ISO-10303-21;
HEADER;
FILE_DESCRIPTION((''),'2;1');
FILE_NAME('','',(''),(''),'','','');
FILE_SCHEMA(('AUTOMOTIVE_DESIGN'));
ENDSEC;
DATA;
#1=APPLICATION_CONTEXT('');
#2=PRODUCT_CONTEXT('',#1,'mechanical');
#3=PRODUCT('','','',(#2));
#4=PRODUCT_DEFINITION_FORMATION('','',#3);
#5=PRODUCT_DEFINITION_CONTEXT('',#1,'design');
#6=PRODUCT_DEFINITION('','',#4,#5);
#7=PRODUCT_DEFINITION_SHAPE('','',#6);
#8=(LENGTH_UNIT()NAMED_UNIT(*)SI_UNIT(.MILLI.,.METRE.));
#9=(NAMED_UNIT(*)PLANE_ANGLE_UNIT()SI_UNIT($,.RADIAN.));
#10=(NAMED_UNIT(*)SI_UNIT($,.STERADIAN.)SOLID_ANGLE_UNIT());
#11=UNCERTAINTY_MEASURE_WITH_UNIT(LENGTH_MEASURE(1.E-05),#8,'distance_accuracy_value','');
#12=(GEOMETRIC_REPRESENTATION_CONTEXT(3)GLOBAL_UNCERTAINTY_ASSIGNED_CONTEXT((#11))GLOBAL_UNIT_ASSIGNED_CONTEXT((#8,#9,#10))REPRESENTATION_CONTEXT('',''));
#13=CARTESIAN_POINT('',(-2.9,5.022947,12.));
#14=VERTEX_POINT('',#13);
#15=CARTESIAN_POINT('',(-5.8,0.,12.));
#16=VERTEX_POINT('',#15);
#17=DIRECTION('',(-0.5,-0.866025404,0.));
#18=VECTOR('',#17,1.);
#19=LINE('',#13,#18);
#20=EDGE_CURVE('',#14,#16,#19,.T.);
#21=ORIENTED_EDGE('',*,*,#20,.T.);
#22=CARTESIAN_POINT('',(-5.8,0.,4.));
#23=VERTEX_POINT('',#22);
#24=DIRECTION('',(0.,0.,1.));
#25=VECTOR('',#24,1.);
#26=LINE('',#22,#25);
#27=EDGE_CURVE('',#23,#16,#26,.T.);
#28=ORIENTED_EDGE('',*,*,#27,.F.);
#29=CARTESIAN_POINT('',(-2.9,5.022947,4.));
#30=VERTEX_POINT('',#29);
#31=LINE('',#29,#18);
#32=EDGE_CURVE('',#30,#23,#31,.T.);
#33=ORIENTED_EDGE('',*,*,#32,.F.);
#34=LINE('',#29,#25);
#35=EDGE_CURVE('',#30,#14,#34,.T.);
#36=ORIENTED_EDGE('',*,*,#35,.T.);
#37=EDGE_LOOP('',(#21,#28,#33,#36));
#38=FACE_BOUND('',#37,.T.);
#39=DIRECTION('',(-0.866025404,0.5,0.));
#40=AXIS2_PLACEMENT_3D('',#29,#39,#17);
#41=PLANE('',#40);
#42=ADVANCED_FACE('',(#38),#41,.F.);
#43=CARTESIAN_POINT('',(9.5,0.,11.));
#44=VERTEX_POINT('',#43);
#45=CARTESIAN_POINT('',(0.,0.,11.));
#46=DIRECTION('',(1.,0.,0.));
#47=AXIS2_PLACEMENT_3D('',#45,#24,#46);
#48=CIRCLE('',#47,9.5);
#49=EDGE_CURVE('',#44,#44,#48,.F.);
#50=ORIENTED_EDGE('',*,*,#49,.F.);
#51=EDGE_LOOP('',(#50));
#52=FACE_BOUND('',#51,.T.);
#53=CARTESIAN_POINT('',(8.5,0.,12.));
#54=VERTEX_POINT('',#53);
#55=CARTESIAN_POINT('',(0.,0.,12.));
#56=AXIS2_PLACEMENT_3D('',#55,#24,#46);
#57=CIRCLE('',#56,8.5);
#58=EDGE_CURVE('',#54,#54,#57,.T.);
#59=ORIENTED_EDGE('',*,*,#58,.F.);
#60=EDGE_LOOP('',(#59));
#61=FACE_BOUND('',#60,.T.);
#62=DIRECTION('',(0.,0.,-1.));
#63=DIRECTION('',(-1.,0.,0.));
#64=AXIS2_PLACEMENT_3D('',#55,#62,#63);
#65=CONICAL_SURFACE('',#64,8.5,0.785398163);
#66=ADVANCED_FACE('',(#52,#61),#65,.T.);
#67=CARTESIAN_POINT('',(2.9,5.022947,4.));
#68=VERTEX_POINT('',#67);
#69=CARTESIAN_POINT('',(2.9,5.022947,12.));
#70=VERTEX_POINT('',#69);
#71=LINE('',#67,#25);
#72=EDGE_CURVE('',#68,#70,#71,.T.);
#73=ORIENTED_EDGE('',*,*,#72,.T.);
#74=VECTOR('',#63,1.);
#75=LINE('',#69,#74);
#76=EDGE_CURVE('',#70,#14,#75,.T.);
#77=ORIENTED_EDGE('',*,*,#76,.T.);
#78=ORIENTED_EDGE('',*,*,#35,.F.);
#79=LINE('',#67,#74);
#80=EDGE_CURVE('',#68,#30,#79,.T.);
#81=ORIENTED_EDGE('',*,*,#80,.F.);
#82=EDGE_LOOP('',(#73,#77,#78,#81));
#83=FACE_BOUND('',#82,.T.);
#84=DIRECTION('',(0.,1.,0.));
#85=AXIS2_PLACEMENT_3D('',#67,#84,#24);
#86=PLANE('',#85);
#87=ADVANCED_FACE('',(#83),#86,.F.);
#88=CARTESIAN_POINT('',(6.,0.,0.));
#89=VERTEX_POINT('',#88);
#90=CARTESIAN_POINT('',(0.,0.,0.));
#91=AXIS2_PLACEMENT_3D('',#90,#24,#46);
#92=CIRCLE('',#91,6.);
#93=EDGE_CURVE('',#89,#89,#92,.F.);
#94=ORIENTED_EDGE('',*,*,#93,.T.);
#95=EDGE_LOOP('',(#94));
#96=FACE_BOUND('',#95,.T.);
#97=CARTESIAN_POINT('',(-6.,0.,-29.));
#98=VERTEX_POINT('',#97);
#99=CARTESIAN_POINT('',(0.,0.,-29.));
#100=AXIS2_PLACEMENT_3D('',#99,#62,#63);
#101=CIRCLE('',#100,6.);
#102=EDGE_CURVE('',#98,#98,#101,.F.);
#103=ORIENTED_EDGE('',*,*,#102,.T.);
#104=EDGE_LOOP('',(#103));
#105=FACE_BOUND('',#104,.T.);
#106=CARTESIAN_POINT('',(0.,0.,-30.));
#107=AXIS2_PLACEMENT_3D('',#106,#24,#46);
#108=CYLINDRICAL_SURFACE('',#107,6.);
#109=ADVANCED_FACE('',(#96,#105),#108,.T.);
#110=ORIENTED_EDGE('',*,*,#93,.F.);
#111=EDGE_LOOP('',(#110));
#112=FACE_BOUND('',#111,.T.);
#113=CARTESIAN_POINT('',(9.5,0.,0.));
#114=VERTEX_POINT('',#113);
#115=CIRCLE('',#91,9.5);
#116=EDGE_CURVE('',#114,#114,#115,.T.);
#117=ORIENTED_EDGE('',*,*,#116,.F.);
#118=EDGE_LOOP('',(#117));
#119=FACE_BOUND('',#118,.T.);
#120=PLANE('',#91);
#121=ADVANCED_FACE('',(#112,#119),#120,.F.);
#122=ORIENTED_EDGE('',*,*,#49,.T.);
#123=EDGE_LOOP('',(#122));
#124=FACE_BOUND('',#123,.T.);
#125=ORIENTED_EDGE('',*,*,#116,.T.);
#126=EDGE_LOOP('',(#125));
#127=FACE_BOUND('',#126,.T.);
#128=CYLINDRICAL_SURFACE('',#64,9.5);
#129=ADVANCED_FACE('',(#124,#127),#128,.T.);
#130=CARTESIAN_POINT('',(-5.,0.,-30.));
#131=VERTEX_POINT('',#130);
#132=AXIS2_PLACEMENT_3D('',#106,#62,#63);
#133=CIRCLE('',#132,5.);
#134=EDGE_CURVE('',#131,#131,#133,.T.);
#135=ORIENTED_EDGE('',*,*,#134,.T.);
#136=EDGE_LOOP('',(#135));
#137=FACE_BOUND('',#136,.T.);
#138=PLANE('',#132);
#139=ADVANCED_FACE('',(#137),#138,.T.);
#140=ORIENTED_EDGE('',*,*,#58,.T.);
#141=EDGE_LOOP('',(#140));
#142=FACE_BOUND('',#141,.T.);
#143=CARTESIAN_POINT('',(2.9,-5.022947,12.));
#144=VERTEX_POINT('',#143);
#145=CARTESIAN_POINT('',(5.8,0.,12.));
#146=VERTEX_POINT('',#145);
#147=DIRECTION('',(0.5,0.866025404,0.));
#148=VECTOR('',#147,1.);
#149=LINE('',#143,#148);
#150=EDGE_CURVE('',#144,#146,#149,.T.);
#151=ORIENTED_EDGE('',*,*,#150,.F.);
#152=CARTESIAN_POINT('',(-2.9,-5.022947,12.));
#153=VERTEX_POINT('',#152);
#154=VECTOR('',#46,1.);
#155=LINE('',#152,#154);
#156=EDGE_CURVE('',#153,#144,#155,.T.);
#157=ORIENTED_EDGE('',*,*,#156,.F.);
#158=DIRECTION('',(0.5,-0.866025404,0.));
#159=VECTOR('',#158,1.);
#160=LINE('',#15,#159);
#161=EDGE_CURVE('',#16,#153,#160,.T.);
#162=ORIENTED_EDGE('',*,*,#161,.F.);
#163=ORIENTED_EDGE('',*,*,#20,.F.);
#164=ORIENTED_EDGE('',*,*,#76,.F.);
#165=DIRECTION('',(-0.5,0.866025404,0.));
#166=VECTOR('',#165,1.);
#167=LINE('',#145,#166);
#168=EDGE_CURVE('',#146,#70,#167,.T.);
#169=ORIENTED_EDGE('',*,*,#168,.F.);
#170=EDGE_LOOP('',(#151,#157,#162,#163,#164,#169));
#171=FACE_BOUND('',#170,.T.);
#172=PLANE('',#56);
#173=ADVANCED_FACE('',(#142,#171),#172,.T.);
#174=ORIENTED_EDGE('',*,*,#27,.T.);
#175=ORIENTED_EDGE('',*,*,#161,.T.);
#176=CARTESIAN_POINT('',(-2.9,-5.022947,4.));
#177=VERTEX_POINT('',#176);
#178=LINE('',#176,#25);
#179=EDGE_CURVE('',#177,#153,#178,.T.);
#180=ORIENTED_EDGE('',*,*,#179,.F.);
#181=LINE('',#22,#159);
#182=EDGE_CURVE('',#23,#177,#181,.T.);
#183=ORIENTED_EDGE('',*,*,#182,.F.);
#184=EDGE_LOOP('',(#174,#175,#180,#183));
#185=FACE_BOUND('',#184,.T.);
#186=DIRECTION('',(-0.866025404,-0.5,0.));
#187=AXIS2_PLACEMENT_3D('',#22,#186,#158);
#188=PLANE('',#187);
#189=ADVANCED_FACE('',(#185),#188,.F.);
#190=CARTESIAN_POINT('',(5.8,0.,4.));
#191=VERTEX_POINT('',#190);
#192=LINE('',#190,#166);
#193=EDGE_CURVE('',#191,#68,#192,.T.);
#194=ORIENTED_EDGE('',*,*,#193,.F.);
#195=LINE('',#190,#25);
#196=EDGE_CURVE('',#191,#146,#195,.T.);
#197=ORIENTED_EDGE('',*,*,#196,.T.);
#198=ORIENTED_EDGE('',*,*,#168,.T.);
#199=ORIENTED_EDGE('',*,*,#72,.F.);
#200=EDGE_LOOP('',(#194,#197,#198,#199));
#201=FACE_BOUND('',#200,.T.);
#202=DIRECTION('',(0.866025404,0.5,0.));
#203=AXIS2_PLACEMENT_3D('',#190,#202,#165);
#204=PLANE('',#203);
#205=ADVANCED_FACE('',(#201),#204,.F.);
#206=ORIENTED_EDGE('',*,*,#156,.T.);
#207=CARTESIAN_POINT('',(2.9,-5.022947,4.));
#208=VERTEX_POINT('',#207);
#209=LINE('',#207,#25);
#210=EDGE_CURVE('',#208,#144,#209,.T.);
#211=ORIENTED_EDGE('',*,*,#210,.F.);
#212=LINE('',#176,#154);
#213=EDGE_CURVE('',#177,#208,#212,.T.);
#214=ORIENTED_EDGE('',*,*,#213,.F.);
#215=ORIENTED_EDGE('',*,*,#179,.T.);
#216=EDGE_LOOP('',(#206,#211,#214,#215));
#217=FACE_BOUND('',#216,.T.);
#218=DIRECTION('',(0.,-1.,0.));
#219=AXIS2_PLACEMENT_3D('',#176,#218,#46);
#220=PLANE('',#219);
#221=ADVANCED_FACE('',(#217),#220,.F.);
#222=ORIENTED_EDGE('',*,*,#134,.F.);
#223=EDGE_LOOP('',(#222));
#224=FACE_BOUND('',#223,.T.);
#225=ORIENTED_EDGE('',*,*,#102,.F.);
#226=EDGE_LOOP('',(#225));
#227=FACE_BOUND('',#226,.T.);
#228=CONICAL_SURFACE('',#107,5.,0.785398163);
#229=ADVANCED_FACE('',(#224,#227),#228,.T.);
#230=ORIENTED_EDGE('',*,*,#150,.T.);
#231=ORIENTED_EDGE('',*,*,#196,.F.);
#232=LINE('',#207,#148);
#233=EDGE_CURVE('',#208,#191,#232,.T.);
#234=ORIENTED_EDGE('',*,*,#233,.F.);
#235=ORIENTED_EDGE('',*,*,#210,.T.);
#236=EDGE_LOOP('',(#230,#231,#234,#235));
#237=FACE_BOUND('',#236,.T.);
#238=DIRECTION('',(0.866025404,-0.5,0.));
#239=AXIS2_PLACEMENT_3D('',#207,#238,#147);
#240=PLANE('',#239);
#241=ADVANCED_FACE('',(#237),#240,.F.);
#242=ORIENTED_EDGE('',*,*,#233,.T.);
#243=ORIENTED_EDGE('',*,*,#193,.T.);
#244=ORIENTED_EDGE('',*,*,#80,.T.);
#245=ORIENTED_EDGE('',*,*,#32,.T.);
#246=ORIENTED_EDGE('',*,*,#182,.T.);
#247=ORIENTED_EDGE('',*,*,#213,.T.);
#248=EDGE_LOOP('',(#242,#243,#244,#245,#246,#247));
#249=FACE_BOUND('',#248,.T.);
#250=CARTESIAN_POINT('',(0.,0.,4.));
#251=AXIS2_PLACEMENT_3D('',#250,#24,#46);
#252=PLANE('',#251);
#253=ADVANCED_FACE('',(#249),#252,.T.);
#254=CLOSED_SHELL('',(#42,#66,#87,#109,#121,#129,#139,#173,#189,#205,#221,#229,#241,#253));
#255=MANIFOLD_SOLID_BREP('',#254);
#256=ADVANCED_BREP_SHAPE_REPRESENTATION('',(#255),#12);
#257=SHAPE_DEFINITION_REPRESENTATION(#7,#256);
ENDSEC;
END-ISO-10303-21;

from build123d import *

# Parameters (mm, degrees)
CROQUIS1_R              = 9.5
SALIENTE_EXTRUIR1_DEPTH = 12
CROQUIS2_R              = 6
SALIENTE_EXTRUIR2_DEPTH = 30
CHAFL_N1_SIZE           = 1
CORTAR_EXTRUIR1_DEPTH   = 8


with BuildPart() as part:
    # Croquis1 → Saliente-Extruir1 (new body)
    with BuildSketch(Plane.XY):
        Circle(CROQUIS1_R)
    extrude(amount=SALIENTE_EXTRUIR1_DEPTH)

    # Croquis2 → Saliente-Extruir2 (add)
    with BuildSketch(Plane(origin=(0, 0, 0), x_dir=(-1, 0, 0), z_dir=(0, 0, -1))):
        with Locations(Location((0, 0, 0), (0, 0, 180))):
            Circle(CROQUIS2_R)
    extrude(amount=SALIENTE_EXTRUIR2_DEPTH)

    # Chaflán1
    chafl_n1_edges = [part.edges().sort_by_distance(p)[0] for p in [
        (-9.5, 0, 12),
        (-6, 0, -30),
    ]]
    chamfer(chafl_n1_edges, length=CHAFL_N1_SIZE)

    # Croquis3 → Cortar-Extruir1 (cut)
    with BuildSketch(Plane.XY.offset(12)):
        Polygon((5.8, 0), (2.9, 5.022947342), (-2.9, 5.022947342), (-5.8, 0), (-2.9, -5.022947342), (2.9, -5.022947342), align=None)
    extrude(amount=-CORTAR_EXTRUIR1_DEPTH, mode=Mode.SUBTRACT)


solid = part.part
